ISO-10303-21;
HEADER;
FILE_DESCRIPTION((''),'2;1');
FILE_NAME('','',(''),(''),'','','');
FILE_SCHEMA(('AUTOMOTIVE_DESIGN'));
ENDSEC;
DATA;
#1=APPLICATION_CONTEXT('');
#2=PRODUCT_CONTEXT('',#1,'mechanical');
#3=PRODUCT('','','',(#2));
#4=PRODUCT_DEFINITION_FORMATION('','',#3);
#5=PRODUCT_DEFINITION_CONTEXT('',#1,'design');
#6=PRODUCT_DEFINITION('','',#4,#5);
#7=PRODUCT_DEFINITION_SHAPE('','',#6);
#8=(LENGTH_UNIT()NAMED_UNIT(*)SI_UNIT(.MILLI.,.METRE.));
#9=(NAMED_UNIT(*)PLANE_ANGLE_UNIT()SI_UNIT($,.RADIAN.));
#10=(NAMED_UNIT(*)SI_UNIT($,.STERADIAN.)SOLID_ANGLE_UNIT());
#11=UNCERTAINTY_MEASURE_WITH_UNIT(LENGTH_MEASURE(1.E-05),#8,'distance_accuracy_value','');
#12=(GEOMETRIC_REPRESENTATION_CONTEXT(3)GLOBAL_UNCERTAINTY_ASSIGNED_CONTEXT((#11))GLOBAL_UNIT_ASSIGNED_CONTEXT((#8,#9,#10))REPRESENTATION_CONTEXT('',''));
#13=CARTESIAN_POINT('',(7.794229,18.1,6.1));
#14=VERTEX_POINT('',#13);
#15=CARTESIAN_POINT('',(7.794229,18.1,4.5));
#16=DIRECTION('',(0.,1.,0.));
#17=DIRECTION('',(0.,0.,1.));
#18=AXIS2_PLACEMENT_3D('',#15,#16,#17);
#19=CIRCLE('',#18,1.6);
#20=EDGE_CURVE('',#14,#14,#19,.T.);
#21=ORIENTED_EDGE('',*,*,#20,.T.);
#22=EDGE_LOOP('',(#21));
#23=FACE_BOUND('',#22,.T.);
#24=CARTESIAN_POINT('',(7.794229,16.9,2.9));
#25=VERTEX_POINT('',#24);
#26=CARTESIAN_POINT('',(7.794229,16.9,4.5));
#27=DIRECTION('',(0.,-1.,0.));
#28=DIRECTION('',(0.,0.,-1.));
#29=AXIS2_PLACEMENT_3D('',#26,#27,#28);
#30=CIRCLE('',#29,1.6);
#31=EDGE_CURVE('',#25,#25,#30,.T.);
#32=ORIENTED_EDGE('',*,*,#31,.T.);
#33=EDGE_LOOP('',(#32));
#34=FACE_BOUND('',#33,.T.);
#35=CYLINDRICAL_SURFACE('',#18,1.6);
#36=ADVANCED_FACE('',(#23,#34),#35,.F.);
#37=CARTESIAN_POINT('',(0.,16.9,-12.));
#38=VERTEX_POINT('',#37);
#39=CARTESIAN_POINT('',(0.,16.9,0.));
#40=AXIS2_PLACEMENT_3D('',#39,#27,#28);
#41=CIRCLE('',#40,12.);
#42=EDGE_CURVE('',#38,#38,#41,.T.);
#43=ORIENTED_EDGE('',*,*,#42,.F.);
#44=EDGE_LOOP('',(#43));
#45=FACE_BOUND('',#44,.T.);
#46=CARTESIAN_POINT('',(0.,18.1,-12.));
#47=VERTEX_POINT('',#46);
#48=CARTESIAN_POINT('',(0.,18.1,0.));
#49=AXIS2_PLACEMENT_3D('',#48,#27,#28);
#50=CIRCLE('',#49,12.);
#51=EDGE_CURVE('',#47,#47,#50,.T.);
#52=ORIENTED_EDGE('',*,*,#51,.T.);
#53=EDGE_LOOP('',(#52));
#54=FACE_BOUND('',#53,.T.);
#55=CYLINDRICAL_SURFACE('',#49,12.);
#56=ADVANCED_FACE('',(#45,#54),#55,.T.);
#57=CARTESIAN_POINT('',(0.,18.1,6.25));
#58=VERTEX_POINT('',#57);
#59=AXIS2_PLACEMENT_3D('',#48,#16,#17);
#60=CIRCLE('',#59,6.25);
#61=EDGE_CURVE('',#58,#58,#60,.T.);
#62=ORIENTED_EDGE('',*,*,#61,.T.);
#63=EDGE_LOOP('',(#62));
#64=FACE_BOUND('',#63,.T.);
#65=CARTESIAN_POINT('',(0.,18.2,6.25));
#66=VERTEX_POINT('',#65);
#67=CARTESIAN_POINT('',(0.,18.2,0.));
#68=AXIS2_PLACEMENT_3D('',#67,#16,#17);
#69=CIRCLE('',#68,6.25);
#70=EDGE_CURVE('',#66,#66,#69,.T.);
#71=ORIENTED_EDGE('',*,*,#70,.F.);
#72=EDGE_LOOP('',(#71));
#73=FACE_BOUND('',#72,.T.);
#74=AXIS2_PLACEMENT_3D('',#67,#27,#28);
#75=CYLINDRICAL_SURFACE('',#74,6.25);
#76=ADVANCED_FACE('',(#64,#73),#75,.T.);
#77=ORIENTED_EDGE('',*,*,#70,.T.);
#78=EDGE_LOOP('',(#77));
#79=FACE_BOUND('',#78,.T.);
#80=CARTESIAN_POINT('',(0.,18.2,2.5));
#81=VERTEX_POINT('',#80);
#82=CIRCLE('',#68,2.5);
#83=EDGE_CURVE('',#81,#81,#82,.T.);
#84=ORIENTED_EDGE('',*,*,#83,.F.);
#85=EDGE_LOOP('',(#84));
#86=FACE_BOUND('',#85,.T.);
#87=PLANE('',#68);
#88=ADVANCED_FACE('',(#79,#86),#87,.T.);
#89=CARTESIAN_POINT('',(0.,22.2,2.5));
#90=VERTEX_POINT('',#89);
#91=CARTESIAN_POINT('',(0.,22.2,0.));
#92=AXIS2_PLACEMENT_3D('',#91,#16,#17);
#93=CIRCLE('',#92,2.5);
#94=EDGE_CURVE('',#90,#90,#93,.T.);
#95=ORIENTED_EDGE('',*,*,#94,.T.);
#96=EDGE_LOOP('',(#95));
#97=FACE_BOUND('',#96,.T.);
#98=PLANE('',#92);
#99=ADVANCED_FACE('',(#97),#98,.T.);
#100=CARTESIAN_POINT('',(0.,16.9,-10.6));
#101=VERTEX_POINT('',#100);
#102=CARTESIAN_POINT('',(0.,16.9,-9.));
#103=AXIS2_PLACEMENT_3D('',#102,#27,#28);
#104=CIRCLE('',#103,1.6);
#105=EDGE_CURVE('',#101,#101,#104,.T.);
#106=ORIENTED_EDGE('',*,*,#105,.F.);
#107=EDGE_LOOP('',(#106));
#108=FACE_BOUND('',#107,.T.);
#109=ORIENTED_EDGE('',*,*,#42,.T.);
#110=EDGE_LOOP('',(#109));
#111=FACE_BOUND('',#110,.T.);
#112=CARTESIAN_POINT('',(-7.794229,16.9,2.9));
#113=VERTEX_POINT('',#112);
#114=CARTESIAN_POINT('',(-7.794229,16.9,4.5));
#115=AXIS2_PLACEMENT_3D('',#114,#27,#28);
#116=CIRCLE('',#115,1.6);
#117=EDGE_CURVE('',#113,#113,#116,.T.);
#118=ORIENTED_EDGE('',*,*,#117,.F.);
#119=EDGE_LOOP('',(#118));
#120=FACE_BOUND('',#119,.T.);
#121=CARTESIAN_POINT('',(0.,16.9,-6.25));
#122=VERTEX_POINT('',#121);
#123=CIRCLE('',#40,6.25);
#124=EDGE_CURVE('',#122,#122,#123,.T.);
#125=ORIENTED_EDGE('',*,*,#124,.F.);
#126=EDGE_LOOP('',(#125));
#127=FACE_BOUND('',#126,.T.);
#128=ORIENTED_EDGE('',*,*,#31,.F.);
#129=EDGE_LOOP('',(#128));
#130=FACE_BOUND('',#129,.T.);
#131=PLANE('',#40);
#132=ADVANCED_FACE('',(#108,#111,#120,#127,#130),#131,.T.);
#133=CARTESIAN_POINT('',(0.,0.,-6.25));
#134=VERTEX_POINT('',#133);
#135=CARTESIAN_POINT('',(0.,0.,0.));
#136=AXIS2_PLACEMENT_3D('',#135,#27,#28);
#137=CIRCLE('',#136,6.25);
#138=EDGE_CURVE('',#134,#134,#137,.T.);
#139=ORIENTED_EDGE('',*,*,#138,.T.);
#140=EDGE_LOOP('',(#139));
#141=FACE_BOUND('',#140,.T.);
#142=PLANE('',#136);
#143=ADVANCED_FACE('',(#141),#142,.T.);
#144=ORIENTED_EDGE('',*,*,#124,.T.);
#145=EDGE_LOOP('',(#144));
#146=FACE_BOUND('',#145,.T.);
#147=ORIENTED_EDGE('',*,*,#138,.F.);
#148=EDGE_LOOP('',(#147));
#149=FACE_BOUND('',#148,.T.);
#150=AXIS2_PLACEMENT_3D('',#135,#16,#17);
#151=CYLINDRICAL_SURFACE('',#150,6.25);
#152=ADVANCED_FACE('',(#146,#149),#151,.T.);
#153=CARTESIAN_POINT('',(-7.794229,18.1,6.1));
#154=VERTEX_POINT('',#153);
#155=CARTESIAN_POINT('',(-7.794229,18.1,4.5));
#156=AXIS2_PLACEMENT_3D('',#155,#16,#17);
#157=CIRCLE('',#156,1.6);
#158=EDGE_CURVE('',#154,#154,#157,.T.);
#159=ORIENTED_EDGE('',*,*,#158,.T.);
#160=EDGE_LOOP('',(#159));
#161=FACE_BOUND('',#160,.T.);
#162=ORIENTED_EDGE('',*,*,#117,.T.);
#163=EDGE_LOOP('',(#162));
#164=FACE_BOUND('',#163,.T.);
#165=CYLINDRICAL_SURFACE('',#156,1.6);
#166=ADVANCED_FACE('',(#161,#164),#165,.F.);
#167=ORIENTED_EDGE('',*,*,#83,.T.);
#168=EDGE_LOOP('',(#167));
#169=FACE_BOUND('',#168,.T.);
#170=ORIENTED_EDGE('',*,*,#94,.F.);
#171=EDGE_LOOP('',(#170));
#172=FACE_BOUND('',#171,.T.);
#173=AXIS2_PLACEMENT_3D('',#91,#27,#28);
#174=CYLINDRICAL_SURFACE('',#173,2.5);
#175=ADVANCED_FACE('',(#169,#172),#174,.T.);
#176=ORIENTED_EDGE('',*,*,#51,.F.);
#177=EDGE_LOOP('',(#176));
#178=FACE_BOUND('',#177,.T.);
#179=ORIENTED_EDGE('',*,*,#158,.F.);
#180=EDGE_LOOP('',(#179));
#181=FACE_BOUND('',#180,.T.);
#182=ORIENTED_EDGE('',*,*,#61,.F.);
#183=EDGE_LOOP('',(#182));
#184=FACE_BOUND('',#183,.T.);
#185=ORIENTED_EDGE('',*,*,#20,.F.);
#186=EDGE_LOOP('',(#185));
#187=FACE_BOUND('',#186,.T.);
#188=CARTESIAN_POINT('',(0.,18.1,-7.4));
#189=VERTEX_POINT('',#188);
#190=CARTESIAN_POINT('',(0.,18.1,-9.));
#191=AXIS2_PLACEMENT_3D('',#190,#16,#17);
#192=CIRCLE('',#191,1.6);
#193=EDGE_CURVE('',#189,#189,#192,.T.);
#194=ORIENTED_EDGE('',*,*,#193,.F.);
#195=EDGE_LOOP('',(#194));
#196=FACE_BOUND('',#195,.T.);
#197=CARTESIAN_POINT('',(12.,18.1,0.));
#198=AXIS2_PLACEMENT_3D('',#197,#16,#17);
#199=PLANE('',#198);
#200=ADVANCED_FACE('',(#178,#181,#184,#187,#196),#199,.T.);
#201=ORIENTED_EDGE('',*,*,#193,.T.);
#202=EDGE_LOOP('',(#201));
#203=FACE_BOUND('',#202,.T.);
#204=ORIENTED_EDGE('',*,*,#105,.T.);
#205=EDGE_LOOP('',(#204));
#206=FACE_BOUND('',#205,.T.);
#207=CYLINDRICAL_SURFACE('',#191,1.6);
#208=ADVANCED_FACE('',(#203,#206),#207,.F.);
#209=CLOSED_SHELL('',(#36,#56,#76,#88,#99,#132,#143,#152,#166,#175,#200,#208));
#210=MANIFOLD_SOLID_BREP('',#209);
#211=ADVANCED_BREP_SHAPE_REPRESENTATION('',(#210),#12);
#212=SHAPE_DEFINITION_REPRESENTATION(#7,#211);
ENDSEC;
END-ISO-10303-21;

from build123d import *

# Parameters (mm, degrees)
SKETCH_1_W                  = 12
SKETCH_1_H                  = 1.2
SKETCH_2_R                  = 6.25
EXTRUDE_1_DEPTH             = 0.1
SKETCH_3_R                  = 2.5
EXTRUDE_2_DEPTH             = 4
EXTRUDE_START               = 16.9
SKETCH_5_R                  = 6.25
EXTRUDE_4_DEPTH             = 16.9
HOLE_WIZARD_3_2_3_2_1_D     = 3.2
HOLE_WIZARD_3_2_3_2_1_DEPTH = 18.1


with BuildPart() as part:
    # 草图1 → 旋转1 (revolve)
    with BuildSketch(Plane.XY, mode=Mode.PRIVATE) as revolve_1_sk:
        with Locations((6, 17.5)):
            Rectangle(SKETCH_1_W, SKETCH_1_H)
    revolve(revolve_1_sk.sketch.rotate(Axis((0, 18.1, 0), (0, -1, 0)), 270), axis=Axis((0, 18.1, 0), (0, -1, 0)))

    # 草图2 → 凸台-拉伸1 (add)
    with BuildSketch(Plane(origin=(0, 18.1, 0), x_dir=(-1, 0, 0), z_dir=(0, 1, 0))):
        with Locations(Location((0, 0, 0), (0, 0, 90))):
            Circle(SKETCH_2_R)
    extrude(amount=EXTRUDE_1_DEPTH)

    # 草图3 → 凸台-拉伸2 (add)
    with BuildSketch(Plane(origin=(0, 18.2, 0), x_dir=(-1, 0, 0), z_dir=(0, 1, 0))):
        with Locations(Location((0, 0, 0), (0, 0, 90))):
            Circle(SKETCH_3_R)
    extrude(amount=EXTRUDE_2_DEPTH)

    # 草图5 → 凸台-拉伸4 (add)
    with BuildSketch(Plane.XZ.offset(-16.9).offset(EXTRUDE_START)):
        with Locations(Location((0, 0, 0), (0, 0, 90))):
            Circle(SKETCH_5_R)
    extrude(amount=-EXTRUDE_4_DEPTH)

    # Ø3.2 (3.2) 直径孔1
    with Locations(Plane(origin=(0, 18.1, 0), x_dir=(1, 0, 0), z_dir=(0, 1, 0))):
        with Locations((-7.794228634, -4.5), (7.794228634, -4.5), (0, 9)):
            Hole(HOLE_WIZARD_3_2_3_2_1_D / 2, depth=HOLE_WIZARD_3_2_3_2_1_DEPTH)


solid = part.part
